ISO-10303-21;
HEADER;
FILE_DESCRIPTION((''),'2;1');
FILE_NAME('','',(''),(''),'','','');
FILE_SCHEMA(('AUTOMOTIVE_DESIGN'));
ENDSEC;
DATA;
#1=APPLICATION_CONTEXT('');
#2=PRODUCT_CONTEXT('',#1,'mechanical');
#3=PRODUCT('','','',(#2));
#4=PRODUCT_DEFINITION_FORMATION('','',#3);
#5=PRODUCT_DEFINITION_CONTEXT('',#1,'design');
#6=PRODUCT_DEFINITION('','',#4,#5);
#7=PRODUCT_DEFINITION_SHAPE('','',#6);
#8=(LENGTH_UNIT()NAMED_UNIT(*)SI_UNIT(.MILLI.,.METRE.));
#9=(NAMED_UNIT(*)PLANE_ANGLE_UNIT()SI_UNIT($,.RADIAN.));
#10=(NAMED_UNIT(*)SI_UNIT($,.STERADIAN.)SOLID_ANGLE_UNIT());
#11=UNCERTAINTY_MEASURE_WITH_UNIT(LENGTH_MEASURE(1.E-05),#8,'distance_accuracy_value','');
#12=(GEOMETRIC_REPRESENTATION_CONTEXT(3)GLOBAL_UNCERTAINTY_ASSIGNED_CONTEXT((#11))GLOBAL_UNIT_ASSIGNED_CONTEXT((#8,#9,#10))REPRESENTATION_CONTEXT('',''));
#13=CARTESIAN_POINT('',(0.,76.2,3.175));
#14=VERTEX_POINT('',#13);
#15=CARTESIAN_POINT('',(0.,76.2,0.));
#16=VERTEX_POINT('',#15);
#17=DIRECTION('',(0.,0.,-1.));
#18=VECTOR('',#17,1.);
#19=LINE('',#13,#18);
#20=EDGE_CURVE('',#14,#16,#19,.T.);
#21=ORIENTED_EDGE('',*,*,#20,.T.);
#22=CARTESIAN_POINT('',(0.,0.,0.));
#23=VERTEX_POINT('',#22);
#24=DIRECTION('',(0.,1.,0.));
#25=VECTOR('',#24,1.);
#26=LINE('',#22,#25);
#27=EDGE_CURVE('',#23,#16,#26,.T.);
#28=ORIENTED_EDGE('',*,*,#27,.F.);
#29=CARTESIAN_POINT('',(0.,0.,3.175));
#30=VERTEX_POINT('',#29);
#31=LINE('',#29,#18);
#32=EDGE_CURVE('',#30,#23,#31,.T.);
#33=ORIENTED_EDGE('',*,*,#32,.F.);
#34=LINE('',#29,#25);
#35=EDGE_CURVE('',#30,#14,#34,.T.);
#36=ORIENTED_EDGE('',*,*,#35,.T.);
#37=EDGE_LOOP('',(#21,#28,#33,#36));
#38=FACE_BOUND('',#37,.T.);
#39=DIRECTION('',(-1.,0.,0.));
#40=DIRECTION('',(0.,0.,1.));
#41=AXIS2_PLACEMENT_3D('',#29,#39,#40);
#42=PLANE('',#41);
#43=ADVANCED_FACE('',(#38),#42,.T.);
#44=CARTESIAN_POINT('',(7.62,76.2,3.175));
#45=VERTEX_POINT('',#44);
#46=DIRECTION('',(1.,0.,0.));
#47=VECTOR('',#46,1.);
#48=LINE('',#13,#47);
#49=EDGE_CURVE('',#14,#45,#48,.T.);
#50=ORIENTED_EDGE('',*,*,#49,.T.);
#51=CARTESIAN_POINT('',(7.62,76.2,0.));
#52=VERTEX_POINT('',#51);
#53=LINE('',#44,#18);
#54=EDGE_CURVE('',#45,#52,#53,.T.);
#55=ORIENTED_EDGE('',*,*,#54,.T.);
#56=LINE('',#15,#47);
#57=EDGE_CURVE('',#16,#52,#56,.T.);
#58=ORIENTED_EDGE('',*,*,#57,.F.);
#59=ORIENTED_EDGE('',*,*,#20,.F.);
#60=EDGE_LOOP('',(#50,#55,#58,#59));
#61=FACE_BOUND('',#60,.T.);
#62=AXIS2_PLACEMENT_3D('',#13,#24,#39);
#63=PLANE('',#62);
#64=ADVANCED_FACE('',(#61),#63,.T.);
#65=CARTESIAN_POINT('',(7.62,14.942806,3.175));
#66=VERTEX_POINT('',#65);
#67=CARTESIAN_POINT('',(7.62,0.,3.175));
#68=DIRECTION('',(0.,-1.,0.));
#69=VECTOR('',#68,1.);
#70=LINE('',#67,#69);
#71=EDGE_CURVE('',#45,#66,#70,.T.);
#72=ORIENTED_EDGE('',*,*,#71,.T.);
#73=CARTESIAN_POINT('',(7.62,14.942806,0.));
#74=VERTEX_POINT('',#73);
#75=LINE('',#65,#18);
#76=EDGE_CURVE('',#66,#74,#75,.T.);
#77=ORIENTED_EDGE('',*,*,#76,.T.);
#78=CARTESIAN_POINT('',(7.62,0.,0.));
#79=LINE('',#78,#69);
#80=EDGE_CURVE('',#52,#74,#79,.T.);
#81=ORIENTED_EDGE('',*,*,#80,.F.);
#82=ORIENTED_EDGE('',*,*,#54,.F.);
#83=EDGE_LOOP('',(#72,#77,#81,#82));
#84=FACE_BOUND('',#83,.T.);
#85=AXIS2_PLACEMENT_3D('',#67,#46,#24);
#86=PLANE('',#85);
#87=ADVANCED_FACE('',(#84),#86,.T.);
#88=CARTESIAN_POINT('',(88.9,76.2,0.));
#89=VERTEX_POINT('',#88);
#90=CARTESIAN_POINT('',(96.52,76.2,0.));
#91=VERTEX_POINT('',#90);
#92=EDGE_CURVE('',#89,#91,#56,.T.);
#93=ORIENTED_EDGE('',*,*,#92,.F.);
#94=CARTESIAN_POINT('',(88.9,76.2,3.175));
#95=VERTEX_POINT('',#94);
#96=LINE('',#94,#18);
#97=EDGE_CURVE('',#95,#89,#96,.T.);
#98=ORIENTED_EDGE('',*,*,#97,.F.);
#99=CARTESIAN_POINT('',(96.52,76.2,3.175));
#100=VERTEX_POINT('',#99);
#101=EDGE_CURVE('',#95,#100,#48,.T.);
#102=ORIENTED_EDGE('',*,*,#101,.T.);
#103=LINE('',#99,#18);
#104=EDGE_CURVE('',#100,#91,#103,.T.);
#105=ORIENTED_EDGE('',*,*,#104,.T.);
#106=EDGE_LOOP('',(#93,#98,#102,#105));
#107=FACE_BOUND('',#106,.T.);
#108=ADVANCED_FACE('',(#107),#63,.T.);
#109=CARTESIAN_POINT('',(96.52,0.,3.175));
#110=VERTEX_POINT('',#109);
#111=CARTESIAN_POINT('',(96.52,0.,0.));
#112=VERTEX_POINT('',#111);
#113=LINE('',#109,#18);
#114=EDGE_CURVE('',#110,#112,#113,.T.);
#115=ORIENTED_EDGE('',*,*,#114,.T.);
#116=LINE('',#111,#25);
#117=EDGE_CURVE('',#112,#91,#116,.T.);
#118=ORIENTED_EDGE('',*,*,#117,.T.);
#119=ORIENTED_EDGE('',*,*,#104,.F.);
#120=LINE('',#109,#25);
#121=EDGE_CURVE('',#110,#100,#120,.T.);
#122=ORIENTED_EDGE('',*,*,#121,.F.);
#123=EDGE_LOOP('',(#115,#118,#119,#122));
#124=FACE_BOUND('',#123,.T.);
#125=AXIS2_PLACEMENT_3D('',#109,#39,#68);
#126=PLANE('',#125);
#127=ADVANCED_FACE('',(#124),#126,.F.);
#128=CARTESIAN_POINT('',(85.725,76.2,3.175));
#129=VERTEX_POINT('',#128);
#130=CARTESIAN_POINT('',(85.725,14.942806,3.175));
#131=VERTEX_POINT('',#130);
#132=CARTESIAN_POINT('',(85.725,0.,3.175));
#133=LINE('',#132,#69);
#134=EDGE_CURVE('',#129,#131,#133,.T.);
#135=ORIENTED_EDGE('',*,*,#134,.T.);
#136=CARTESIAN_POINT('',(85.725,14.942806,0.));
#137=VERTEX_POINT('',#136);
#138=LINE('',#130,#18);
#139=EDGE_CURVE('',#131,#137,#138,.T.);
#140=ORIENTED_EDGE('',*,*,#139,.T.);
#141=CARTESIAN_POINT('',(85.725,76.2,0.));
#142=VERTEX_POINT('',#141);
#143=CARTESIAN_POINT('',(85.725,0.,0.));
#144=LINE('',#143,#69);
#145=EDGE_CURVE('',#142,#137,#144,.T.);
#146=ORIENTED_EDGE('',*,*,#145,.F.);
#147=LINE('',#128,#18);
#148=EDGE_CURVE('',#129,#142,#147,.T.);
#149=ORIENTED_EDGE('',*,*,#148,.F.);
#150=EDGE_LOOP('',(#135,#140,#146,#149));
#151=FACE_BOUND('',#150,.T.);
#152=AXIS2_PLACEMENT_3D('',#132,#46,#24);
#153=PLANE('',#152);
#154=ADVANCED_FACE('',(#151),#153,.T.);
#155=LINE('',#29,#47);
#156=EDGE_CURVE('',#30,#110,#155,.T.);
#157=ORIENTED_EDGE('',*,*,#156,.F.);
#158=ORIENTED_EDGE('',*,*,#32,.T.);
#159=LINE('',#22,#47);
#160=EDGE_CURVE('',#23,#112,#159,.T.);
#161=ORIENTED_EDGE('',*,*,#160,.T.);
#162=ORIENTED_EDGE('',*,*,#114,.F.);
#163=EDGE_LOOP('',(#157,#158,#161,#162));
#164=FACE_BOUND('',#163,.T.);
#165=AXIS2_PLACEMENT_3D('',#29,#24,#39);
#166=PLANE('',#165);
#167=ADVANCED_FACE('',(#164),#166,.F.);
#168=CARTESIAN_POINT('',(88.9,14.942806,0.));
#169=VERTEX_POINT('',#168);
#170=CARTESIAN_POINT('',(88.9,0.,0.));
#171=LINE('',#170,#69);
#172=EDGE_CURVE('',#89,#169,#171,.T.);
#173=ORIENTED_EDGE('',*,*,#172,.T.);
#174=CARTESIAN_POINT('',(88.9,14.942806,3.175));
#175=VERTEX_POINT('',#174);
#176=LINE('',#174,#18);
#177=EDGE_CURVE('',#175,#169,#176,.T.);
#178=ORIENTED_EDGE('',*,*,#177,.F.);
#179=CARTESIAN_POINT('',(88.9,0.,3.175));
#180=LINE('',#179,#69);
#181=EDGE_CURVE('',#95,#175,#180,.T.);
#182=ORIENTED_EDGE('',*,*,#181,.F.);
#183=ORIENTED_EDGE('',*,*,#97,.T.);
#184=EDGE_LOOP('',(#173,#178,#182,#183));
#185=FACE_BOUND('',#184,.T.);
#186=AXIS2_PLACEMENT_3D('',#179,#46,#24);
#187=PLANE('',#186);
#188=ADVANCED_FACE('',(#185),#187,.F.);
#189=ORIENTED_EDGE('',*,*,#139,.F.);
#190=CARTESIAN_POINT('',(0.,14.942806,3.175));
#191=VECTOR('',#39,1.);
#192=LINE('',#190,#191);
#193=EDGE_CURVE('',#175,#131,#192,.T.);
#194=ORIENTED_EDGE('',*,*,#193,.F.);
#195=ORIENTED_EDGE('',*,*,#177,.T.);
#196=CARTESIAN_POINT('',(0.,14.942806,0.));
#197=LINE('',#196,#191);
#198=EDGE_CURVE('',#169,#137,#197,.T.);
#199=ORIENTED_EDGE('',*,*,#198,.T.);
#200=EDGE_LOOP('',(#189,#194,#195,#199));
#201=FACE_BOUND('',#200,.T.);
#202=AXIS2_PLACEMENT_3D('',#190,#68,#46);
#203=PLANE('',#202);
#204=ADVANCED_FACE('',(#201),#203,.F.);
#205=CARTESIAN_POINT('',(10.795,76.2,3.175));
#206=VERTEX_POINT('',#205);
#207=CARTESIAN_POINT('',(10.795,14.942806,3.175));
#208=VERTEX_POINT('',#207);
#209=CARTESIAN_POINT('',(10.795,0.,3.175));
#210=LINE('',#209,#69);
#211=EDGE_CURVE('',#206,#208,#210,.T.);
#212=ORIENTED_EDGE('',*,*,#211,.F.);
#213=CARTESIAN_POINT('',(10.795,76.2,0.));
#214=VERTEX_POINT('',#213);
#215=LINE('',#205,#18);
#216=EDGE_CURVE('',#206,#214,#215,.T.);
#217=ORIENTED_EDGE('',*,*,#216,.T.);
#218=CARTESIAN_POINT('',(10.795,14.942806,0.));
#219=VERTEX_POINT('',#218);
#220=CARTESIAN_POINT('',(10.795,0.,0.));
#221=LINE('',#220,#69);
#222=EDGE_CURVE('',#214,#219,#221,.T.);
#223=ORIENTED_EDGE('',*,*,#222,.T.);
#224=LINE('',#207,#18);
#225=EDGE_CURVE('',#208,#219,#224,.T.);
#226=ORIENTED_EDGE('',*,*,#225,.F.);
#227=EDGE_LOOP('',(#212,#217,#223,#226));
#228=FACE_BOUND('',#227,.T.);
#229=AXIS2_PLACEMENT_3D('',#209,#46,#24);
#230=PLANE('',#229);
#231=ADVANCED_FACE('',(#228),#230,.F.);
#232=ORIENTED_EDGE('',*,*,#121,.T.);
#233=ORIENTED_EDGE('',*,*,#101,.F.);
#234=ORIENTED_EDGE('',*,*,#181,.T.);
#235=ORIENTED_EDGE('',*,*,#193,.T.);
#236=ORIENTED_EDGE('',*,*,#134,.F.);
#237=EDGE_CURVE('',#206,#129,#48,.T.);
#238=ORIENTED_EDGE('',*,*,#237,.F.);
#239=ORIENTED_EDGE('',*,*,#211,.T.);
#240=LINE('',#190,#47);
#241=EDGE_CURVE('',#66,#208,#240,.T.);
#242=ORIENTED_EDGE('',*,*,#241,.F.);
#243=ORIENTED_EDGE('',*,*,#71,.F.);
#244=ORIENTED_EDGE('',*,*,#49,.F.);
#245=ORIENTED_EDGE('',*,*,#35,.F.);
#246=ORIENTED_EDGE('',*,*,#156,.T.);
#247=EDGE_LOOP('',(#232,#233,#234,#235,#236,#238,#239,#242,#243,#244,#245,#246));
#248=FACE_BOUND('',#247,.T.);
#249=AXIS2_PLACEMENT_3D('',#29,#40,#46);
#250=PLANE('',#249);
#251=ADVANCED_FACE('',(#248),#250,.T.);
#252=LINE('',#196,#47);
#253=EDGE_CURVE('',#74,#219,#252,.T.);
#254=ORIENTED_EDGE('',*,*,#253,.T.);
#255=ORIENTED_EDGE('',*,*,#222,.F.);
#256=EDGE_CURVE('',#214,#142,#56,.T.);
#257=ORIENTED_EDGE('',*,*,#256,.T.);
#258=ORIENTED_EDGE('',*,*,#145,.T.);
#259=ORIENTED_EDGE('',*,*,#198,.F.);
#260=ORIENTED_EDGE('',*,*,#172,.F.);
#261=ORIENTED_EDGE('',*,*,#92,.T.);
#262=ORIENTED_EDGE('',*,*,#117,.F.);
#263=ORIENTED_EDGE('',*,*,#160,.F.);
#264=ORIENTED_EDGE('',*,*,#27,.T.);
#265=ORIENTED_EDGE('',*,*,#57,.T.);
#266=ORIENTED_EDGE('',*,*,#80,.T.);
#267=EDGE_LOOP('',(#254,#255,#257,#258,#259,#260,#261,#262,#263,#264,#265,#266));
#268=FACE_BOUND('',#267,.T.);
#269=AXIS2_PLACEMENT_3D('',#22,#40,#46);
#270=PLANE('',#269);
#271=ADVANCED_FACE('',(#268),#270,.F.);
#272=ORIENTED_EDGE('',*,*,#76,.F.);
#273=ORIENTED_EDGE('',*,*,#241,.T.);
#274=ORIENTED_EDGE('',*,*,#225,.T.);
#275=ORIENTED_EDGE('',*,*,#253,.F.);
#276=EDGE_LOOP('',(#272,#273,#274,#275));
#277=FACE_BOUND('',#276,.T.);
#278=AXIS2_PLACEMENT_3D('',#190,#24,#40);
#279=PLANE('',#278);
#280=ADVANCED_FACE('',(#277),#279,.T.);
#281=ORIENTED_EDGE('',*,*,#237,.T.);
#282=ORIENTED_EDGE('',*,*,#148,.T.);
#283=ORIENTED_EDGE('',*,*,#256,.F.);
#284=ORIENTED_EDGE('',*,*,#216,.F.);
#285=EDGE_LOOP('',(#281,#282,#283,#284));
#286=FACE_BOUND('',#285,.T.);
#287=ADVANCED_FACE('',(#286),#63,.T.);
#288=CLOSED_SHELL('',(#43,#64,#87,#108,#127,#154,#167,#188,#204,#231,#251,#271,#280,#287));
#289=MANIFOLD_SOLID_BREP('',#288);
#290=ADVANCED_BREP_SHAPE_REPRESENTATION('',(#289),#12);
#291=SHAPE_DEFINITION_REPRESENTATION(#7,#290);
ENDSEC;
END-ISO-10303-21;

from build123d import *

# Parameters (mm, degrees)
BOSS_EXTRUDE1_DEPTH = 3.175


with BuildPart() as part:
    # Sketch1 → Boss-Extrude1 (new body)
    with BuildSketch(Plane.XY):
        Polygon((48.26, 0), (48.26, 76.2), (10.795, 76.2), (10.795, 14.942805851), (7.62, 14.942805851), (7.62, 76.2), (0, 76.2), (0, 0), align=None)
        Polygon((85.725, 76.2), (48.26, 76.2), (48.26, 0), (96.52, 0), (96.52, 76.2), (88.9, 76.2), (88.9, 14.942805851), (85.725, 14.942805851), align=None)
    extrude(amount=BOSS_EXTRUDE1_DEPTH)


solid = part.part
